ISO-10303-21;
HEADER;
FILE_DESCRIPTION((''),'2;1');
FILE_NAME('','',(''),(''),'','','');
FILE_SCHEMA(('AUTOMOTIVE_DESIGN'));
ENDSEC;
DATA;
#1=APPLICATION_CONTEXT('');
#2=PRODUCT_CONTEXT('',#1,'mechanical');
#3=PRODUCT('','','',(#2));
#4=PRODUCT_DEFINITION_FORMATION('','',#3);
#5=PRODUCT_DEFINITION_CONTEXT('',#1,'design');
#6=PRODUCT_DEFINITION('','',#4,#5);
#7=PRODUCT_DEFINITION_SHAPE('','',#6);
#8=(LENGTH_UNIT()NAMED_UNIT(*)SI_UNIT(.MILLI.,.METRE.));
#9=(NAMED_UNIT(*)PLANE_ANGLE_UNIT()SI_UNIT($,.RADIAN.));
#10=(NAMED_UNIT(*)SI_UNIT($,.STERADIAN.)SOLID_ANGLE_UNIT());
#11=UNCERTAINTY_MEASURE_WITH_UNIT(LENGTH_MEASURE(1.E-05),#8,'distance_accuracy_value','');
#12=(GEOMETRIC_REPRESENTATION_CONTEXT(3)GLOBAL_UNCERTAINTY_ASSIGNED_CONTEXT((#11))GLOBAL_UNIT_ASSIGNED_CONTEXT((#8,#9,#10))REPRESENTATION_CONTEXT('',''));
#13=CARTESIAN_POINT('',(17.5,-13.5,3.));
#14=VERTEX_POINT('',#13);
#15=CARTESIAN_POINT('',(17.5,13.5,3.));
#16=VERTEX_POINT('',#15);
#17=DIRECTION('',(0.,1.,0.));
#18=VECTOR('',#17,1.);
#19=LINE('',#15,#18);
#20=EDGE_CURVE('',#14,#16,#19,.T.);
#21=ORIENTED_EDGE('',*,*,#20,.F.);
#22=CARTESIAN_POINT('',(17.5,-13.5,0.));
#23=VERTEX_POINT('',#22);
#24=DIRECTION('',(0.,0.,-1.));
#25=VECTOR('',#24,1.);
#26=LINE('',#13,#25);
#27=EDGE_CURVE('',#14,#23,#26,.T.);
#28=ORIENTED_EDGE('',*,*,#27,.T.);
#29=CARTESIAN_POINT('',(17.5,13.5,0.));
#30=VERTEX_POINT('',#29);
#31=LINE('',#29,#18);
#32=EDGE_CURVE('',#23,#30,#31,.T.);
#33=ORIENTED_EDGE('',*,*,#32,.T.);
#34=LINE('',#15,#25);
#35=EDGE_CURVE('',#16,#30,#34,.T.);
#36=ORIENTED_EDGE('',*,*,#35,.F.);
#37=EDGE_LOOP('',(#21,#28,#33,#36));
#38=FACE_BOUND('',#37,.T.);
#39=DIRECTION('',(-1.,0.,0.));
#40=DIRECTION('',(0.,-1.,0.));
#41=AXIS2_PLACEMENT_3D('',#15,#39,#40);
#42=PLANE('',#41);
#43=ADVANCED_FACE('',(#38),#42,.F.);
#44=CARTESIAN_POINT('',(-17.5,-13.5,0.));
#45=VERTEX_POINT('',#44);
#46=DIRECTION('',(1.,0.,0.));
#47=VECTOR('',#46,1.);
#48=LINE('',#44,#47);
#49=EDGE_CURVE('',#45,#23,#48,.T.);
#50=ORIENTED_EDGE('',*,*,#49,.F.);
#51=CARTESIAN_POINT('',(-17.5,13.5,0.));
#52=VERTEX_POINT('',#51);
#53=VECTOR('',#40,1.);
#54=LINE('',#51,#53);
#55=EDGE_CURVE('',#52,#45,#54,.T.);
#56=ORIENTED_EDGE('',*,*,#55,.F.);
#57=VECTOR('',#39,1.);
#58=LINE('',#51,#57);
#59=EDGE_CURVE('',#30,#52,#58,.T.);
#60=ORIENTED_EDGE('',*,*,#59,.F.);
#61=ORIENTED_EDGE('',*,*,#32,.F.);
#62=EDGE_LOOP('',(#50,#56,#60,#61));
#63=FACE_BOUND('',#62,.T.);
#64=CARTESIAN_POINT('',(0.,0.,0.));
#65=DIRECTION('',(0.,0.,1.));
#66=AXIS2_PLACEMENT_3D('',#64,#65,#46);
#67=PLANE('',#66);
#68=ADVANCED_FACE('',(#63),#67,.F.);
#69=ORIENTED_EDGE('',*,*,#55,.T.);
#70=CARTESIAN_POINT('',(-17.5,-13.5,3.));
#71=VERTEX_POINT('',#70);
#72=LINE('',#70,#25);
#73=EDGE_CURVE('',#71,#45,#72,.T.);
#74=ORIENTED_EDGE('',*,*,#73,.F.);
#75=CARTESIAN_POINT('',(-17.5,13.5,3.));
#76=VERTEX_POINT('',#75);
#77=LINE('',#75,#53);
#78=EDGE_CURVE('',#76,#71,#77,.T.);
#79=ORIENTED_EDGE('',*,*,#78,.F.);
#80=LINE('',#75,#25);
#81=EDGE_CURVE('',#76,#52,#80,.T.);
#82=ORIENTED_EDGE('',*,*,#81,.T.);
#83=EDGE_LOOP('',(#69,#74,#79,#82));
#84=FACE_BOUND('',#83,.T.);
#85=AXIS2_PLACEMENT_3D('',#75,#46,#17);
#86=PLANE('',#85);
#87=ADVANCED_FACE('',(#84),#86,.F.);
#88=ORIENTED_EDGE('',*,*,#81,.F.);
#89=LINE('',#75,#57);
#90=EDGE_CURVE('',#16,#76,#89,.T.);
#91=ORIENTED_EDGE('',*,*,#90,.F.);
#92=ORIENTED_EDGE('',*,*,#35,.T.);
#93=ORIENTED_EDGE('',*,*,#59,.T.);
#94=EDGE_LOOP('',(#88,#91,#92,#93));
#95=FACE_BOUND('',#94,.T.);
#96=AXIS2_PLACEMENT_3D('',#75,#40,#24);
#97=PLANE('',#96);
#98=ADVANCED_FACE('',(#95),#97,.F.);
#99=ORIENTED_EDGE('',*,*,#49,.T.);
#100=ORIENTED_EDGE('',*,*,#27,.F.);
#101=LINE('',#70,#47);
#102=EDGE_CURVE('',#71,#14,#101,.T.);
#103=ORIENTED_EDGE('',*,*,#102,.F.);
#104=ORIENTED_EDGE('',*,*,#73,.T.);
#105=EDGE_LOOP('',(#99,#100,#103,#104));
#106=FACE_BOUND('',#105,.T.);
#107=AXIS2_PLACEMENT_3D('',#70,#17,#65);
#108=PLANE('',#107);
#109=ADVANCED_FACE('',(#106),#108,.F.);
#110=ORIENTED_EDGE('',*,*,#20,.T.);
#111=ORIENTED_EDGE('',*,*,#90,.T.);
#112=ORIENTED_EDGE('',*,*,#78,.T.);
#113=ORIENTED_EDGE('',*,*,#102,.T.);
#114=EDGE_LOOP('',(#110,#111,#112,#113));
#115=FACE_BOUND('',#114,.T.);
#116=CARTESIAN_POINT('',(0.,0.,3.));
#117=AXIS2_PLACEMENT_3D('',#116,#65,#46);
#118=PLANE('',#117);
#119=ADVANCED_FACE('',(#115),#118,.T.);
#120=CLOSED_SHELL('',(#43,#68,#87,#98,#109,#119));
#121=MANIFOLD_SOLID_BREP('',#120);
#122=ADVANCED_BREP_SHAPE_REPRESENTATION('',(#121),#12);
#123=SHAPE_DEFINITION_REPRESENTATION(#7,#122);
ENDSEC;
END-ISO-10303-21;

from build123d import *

# Parameters (mm, degrees)
ESQUISSE1_W        = 35
ESQUISSE1_H        = 27
BOSS_EXTRU_1_DEPTH = 3


with BuildPart() as part:
    # Esquisse1 → Boss.-Extru.1 (new body)
    with BuildSketch(Plane.XY):
        Rectangle(ESQUISSE1_W, ESQUISSE1_H)
    extrude(amount=BOSS_EXTRU_1_DEPTH)


solid = part.part
